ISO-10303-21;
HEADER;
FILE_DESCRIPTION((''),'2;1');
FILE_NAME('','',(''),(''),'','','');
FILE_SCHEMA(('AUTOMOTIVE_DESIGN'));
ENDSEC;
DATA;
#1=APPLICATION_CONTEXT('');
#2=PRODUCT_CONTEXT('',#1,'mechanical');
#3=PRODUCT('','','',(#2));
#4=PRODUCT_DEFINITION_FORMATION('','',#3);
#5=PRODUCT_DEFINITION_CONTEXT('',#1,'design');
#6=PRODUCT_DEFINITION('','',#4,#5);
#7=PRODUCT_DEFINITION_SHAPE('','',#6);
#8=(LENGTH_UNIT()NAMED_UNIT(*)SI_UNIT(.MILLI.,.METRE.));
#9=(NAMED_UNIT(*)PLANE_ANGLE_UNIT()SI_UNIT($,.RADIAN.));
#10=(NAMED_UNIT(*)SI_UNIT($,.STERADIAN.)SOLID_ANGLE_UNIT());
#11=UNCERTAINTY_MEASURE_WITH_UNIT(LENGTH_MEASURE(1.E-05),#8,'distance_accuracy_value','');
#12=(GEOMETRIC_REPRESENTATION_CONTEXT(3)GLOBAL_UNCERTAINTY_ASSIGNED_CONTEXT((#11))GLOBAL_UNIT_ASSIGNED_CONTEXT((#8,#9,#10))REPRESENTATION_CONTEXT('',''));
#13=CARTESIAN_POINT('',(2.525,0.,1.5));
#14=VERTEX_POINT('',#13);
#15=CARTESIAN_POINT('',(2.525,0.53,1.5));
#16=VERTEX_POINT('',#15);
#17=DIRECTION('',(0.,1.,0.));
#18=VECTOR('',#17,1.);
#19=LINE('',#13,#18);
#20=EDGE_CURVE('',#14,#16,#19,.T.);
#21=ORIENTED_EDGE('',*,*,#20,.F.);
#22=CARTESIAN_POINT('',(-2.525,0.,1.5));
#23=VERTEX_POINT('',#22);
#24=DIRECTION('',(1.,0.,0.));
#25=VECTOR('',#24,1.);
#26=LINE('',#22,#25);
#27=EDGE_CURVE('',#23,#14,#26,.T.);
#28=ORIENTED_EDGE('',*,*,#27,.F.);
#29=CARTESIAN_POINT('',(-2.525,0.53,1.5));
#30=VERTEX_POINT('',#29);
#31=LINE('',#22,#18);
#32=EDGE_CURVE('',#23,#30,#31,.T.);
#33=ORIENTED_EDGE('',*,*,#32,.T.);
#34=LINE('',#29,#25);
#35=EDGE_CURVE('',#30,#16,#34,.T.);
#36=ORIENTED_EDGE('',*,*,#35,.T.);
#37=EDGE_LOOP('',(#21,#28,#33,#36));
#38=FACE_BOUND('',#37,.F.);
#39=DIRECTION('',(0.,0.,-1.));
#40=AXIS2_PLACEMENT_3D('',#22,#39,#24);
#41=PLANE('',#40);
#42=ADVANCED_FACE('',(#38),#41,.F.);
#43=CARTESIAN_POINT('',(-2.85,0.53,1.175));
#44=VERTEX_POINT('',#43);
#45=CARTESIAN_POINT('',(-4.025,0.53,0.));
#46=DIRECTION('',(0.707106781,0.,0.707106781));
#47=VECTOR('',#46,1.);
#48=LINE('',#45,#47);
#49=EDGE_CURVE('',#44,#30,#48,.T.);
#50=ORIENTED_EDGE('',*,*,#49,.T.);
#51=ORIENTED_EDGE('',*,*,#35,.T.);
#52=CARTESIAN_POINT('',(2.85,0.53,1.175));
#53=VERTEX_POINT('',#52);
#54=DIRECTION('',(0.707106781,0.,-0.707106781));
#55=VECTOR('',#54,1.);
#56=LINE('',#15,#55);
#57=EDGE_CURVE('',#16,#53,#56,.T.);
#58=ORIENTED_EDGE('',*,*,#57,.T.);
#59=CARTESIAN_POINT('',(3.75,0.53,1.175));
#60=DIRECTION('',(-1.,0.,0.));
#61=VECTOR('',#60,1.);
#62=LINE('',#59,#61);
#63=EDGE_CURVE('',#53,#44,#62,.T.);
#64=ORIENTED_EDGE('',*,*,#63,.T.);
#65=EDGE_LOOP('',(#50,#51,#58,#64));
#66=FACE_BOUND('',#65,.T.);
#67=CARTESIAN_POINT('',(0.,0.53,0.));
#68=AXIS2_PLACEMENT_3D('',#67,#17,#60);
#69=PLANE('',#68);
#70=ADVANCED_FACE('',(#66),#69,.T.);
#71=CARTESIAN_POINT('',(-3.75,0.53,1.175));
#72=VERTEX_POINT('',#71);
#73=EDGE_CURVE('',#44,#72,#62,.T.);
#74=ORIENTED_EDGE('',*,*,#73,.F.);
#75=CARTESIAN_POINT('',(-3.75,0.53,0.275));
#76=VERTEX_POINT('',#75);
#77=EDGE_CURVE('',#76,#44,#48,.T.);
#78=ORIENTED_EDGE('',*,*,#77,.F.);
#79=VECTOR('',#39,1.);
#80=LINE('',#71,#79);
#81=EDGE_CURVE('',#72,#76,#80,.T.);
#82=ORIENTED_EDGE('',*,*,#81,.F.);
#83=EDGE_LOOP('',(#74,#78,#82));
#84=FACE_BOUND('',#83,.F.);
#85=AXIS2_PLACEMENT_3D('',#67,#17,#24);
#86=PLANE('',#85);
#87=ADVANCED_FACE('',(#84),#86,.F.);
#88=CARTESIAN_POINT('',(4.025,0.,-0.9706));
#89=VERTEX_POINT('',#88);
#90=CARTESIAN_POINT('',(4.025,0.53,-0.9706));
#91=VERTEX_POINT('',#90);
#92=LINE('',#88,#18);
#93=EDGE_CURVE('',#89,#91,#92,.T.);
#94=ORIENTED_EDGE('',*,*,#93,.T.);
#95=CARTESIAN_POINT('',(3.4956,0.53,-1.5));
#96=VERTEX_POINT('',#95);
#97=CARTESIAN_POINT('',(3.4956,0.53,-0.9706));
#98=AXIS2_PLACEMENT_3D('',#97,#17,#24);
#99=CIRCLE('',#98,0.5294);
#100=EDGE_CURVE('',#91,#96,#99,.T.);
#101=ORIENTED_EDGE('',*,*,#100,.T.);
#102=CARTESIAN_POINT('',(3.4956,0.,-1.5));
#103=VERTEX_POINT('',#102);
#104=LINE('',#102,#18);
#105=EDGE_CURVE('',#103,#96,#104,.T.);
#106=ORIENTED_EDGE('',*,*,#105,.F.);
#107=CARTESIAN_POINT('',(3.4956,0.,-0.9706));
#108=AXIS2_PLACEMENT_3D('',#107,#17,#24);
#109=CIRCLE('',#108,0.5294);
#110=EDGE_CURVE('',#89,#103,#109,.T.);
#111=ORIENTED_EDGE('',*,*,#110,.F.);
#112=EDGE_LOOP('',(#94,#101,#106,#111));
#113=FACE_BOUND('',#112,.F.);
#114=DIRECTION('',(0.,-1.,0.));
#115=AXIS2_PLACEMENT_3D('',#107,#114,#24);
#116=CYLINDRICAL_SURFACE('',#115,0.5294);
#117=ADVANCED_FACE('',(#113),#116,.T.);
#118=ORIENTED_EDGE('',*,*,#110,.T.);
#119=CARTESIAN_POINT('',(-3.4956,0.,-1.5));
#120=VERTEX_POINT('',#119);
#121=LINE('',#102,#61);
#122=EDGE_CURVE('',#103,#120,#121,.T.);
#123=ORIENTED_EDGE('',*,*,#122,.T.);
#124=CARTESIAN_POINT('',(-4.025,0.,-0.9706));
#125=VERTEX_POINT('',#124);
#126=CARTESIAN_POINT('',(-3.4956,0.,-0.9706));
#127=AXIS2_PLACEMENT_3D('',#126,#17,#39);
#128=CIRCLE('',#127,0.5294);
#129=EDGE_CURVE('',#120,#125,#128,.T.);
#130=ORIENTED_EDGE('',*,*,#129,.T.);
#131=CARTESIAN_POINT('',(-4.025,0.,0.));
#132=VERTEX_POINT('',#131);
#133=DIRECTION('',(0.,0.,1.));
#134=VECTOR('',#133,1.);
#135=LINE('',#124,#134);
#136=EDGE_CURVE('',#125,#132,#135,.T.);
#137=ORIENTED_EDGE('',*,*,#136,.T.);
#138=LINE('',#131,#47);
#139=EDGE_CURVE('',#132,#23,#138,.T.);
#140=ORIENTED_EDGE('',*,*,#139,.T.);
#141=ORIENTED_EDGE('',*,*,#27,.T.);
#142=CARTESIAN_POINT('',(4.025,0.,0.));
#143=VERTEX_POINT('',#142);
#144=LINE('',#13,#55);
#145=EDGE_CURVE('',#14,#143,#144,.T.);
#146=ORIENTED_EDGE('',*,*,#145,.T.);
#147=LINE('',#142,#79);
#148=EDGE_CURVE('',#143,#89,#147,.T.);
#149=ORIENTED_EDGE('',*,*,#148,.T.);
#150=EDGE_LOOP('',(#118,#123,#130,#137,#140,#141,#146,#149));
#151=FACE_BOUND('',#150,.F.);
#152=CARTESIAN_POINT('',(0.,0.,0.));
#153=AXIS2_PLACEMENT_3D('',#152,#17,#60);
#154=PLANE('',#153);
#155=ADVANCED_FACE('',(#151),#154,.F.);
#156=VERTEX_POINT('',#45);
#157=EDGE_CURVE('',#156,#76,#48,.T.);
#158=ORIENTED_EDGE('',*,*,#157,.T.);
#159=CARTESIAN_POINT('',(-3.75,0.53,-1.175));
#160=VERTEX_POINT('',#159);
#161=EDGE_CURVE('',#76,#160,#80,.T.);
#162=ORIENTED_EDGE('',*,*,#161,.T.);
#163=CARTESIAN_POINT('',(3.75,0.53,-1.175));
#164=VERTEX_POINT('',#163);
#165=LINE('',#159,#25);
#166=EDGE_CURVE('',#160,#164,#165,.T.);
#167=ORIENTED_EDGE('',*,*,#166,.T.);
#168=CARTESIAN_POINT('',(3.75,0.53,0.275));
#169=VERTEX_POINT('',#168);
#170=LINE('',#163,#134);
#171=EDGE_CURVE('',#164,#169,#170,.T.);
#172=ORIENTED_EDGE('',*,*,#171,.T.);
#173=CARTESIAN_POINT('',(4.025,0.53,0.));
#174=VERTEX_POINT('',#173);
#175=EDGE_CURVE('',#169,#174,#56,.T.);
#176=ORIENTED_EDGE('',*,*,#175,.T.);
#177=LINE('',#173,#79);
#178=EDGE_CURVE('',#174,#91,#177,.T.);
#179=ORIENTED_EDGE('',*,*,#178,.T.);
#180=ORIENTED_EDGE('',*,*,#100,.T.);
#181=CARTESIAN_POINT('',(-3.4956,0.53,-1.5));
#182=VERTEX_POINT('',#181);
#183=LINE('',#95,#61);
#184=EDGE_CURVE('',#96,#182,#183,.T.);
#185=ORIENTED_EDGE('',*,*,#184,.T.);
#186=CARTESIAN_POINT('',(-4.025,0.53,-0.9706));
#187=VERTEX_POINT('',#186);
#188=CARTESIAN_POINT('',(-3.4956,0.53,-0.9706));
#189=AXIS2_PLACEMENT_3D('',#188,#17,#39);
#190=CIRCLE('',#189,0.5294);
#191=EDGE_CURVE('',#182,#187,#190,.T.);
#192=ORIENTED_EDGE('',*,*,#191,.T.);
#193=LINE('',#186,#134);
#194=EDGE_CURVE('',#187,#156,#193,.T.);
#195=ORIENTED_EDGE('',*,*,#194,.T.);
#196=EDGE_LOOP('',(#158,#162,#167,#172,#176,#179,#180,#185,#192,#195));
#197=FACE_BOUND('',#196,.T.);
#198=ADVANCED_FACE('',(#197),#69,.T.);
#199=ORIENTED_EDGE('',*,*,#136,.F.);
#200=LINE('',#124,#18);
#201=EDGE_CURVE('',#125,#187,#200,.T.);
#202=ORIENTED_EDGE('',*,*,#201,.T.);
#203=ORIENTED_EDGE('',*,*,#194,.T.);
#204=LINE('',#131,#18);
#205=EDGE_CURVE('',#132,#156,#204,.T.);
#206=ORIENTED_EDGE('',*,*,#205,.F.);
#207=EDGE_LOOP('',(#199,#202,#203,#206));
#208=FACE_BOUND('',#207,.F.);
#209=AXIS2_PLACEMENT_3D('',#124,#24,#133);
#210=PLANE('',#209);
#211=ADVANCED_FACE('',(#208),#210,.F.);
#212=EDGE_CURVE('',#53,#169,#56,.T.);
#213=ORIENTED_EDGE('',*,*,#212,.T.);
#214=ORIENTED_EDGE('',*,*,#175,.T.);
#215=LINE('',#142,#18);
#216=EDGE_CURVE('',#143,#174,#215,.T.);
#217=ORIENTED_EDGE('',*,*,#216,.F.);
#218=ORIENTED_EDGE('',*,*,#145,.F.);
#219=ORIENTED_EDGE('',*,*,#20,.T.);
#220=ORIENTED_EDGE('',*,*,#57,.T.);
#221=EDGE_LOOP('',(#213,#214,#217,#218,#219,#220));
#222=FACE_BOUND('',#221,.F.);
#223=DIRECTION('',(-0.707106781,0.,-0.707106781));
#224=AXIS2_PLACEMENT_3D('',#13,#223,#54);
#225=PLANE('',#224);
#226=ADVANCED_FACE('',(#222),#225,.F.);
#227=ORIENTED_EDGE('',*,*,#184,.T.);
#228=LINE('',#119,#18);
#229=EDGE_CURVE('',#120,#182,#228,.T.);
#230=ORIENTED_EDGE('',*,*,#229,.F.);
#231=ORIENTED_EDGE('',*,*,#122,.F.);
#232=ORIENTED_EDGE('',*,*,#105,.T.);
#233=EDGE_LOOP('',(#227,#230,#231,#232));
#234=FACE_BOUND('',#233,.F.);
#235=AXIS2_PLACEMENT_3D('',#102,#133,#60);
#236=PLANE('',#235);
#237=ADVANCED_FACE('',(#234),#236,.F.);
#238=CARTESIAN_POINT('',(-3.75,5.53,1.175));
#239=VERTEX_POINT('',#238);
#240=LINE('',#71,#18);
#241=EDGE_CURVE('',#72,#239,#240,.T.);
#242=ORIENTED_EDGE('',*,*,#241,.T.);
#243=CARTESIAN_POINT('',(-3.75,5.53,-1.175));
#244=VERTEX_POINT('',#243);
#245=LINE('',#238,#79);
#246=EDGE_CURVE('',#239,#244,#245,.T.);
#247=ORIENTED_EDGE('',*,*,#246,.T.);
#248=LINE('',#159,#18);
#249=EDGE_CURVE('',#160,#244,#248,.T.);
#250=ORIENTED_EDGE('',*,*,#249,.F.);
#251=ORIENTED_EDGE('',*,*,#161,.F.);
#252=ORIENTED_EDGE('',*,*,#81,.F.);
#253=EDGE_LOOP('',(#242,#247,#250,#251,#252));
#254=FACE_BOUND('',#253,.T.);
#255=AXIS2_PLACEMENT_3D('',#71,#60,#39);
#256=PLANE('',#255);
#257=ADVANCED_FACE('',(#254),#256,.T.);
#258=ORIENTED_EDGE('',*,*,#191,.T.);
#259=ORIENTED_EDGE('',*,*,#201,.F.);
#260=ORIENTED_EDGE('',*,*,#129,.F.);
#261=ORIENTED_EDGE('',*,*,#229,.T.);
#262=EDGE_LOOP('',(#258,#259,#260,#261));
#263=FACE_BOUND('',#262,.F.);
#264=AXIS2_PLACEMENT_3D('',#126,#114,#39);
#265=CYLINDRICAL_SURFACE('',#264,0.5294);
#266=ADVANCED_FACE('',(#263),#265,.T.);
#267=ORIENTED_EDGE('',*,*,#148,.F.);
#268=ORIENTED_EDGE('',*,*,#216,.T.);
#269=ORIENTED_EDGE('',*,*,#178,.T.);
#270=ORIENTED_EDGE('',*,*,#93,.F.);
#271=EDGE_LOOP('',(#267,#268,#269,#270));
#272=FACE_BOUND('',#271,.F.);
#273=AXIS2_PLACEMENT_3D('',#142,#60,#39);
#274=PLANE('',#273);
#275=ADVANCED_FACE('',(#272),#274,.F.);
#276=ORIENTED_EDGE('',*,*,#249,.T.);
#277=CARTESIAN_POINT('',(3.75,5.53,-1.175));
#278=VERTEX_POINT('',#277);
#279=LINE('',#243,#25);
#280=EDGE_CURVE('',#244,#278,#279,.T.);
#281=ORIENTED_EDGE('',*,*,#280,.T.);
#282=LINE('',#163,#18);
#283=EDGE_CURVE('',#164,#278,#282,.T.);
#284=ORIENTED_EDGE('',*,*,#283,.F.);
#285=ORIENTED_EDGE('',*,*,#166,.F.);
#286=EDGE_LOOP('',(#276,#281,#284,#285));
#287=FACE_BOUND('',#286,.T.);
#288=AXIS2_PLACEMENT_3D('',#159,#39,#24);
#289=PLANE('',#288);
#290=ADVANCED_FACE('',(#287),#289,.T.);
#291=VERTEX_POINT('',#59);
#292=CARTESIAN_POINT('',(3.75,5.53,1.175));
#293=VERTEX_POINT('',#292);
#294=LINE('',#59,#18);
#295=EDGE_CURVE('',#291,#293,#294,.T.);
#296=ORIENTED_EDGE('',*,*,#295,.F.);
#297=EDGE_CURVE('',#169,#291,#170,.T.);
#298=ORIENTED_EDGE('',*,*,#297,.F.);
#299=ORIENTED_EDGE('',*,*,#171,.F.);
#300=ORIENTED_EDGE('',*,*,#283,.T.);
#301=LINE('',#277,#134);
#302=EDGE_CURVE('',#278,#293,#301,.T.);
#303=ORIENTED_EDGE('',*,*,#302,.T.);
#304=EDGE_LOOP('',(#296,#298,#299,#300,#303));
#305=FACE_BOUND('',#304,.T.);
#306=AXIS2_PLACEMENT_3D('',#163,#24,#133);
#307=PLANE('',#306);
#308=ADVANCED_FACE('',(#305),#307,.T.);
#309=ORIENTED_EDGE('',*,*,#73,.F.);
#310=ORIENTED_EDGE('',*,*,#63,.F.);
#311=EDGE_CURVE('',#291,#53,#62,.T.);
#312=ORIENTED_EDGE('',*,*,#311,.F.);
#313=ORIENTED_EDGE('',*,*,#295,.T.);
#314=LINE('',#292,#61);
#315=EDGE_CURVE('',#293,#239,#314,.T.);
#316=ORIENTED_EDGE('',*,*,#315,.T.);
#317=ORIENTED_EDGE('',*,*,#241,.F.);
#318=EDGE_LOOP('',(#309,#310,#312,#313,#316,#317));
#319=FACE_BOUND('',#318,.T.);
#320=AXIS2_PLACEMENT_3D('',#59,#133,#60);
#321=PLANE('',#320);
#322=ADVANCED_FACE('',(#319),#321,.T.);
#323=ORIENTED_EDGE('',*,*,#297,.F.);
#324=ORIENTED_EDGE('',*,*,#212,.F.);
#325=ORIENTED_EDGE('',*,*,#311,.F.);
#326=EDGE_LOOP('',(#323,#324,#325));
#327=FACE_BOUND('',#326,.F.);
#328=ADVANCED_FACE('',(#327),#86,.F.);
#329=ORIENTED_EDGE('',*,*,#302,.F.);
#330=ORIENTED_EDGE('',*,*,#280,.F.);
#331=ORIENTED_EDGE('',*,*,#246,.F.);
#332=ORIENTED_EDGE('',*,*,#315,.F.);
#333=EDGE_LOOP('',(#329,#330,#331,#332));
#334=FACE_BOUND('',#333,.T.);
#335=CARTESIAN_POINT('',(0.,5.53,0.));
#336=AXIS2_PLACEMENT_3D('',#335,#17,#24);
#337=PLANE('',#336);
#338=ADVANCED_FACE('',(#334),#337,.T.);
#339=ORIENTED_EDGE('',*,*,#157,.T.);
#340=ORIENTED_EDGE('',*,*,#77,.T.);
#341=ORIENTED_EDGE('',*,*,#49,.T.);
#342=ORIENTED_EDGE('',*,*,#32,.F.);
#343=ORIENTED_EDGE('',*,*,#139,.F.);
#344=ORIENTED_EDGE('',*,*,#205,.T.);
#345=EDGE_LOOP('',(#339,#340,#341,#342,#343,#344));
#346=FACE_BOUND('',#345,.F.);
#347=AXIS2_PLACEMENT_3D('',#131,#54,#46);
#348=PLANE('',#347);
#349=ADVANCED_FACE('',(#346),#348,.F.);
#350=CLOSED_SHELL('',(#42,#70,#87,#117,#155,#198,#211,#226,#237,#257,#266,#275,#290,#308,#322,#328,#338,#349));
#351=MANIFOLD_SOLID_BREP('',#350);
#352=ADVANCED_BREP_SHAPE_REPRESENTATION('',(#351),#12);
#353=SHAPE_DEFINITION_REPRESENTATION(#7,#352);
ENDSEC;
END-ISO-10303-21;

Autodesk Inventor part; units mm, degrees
ref_plane "YZ Plane" through (0, 0, 0) normal (1, 0, 0) x (0, 1, 0)
ref_plane "XZ Plane" through (0, 0, 0) normal (0, 1, 0) x (-1, 0, 0)
ref_plane "XY Plane" through (0, 0, 0) normal (0, 0, 1) x (1, 0, 0)
sketch "Sketch1" plane through (0, 0, 0) normal (0, 1, 0) x (-1, 0, 0)
  line L0 (4.025, -0.9706) -> (4.025, 0)
  line L1 (2.525, 1.5) -> (-2.525, 1.5)
  line L2 (-4.025, 0) -> (-4.025, -0.9706)
  line L3 (-3.4956, -1.5) -> (3.4956, -1.5)
  arc A0 (3.4956, -1.5) -> (4.025, -0.9706) centre (3.4956, -0.9706) ccw
  arc A1 (-4.025, -0.9706) -> (-3.4956, -1.5) centre (-3.4956, -0.9706) ccw
  line L4 (4.025, 0) -> (2.525, 1.5)
  line L5 (-2.525, 1.5) -> (-4.025, 0)
  line L6 (0, -0.8604) -> (0, 0.9209) construction
  line L7 (1.4098, 0) -> (-0.8759, 0) construction
  point P0 (0, 0)
  dimension "d0" = 45
  dimension "d1" = 8.05
  dimension "d2" = 3
extrude "Extrusion1" add sketch "Sketch1" along normal blind 0.53
sketch "Sketch2" plane through (0, 0.53, 0) normal (0, 1, 0) x (1, 0, 0)
  line L0 (-3.75, 1.175) -> (3.75, 1.175)
  line L1 (3.75, 1.175) -> (3.75, -1.175)
  line L2 (3.75, -1.175) -> (-3.75, -1.175)
  line L3 (-3.75, -1.175) -> (-3.75, 1.175)
  point P0 (0, 0)
  point P1 (3.75, 0)
  point P2 (0, 1.175)
  dimension "d5" = 2.35
  dimension "d6" = 7.5
extrude "Extrusion2" add sketch "Sketch2" along normal blind 5
sketch "Sketch3" plane through (2.85, 0.53, 1.175) normal (0, 0, 1) x (1, 0, 0)
  line L0 (-6.4765, 0.85) -> (0.5376, 0.85)
  line L1 (-6.6, 5) -> (0.9, 5) projected
  point P0 (-2.85, -0.53)
  dimension "d9" = 4.15
properties part number "fciconnect-10118194"
